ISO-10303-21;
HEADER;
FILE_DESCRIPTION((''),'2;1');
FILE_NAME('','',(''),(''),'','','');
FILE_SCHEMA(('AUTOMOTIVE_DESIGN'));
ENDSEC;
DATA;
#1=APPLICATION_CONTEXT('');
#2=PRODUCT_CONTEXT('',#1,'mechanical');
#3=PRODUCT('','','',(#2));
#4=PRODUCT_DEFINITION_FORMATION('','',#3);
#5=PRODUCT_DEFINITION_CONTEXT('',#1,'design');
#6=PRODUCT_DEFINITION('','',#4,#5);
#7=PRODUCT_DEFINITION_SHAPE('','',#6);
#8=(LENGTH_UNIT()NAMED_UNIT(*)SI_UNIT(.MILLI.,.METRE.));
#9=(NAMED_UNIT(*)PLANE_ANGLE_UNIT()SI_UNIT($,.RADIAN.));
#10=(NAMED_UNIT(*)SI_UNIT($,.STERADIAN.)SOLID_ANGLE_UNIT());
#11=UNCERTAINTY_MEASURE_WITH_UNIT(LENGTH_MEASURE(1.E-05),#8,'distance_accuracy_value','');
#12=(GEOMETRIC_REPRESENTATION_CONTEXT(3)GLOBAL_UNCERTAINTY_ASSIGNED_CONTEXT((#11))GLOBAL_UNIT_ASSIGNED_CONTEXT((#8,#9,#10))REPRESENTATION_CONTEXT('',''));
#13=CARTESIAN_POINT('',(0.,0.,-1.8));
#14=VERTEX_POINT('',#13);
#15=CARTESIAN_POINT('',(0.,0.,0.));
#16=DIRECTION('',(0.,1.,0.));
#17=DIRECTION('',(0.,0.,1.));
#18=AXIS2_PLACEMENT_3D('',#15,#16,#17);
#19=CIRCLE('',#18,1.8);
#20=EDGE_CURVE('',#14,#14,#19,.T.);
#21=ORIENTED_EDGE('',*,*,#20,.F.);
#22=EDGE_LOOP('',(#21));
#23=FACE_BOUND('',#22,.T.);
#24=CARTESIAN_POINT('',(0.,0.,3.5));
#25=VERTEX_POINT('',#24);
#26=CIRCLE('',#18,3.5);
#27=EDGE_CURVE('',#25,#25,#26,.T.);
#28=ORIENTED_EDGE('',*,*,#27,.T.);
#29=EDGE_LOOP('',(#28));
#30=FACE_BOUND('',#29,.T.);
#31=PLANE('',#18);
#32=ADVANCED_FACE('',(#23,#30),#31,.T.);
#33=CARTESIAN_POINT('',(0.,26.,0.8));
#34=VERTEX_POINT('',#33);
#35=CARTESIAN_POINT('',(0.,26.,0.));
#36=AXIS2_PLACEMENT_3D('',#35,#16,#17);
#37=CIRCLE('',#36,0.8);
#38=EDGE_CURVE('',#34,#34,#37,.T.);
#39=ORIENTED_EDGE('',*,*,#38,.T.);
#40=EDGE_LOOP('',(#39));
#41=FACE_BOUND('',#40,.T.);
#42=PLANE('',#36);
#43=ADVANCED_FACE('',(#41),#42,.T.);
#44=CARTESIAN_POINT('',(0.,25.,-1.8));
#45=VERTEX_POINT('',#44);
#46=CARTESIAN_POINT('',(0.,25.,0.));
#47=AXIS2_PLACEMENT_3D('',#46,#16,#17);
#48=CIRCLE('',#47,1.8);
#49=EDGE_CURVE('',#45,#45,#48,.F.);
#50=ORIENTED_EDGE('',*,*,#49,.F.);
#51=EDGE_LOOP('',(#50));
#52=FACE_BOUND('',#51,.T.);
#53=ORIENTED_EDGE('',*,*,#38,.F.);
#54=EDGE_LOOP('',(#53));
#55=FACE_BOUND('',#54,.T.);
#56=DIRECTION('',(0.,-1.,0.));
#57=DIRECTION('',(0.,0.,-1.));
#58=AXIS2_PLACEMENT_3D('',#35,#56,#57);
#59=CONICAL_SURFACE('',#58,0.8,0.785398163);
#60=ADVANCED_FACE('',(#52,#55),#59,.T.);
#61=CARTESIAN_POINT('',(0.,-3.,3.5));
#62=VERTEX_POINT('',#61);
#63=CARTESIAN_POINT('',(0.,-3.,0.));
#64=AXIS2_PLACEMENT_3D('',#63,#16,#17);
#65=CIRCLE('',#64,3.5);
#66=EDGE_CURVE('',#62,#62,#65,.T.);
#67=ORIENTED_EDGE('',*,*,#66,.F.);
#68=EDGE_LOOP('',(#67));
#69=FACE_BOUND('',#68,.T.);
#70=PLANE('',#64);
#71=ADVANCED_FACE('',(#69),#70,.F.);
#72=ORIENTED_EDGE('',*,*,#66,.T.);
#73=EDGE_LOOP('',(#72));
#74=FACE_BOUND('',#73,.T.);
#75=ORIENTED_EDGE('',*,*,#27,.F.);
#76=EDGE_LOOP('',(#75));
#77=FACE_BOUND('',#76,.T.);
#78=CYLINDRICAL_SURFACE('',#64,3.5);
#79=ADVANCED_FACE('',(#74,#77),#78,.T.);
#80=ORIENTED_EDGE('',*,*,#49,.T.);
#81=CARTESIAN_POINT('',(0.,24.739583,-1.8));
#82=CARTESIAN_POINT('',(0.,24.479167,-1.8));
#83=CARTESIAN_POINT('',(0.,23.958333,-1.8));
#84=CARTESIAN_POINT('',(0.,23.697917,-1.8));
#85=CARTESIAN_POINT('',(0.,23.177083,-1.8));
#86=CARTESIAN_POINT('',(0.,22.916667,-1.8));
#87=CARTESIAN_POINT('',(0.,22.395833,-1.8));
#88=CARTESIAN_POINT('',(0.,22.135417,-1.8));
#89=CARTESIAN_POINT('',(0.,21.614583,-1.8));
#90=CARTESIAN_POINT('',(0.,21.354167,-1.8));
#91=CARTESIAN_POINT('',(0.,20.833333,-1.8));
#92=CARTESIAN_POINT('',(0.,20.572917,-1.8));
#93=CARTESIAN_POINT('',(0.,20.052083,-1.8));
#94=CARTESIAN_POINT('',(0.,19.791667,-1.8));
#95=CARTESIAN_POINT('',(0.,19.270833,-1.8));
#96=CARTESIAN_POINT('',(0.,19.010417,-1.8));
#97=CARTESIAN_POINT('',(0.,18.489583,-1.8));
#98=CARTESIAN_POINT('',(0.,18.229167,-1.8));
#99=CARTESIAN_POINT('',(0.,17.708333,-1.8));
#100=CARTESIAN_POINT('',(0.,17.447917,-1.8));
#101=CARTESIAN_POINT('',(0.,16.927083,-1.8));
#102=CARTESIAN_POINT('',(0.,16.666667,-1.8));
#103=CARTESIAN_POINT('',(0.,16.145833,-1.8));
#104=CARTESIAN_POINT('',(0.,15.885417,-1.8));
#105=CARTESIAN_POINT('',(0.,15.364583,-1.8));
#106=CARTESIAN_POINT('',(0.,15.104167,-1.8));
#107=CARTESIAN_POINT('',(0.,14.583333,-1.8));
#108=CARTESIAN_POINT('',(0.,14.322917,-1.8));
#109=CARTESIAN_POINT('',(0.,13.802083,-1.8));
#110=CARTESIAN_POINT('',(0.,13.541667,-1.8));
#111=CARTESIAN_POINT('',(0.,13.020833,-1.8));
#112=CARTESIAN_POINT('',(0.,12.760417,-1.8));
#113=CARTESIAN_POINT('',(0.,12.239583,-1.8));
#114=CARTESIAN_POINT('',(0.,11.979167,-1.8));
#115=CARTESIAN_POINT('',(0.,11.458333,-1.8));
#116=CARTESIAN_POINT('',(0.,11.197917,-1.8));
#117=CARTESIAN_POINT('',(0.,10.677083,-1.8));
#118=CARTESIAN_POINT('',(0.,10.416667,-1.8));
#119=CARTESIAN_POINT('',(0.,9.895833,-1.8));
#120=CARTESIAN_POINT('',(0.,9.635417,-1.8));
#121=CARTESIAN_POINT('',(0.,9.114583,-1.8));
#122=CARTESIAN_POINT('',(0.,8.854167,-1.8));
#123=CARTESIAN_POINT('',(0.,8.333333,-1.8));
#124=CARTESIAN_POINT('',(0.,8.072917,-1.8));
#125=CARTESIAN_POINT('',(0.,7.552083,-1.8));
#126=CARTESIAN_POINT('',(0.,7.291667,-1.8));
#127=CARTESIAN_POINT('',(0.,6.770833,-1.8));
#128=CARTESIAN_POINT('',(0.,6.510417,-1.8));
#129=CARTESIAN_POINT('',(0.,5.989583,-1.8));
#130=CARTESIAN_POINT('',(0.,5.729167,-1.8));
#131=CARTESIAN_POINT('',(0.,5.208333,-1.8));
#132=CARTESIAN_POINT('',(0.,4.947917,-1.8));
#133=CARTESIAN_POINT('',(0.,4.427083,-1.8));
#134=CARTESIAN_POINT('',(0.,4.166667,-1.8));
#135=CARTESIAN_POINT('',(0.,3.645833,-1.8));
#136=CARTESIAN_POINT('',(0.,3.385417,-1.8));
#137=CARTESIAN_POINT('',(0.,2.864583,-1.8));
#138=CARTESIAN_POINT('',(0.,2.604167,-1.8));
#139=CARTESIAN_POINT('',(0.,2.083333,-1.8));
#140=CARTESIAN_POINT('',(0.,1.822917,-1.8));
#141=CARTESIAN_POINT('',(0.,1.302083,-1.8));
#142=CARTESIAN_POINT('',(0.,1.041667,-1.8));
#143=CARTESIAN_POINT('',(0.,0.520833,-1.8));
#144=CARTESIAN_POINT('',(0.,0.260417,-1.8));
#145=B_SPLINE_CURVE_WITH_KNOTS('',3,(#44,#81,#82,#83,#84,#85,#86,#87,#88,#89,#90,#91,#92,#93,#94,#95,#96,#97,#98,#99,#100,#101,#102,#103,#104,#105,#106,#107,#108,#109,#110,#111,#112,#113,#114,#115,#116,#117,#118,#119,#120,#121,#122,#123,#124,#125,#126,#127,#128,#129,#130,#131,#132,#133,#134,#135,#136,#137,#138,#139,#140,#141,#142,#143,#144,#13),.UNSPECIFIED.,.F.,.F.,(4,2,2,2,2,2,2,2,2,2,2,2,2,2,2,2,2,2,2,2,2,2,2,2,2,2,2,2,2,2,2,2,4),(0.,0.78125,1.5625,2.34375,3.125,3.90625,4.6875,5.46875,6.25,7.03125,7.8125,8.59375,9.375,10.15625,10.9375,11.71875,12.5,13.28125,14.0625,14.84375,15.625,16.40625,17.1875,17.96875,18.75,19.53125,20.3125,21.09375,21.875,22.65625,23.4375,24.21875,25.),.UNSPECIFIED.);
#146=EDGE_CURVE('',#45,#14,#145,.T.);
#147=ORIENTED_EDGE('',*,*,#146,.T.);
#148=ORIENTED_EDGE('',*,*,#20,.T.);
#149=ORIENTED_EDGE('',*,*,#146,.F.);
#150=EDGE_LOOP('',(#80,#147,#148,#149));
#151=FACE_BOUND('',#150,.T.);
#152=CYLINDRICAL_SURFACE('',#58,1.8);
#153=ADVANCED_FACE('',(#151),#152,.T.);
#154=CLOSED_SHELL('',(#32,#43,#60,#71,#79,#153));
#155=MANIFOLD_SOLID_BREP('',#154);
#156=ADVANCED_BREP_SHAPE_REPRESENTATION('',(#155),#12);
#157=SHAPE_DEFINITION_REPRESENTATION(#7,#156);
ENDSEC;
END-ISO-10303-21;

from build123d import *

# Parameters (mm, degrees)
SKETCH_1_R      = 3.5
EXTRUDE_1_DEPTH = 3
SKETCH_1_3_R    = 1.8
EXTRUDE_2_DEPTH = 26
CHAMFER_1_SIZE  = 1


with BuildPart() as part:
    # Эскиз1 → Бобышка-Вытянуть1 (new body)
    with BuildSketch(Plane(origin=(0, 0, 0), x_dir=(1, 0, 0), z_dir=(0, 1, 0))):
        Circle(SKETCH_1_R)
    extrude(amount=-EXTRUDE_1_DEPTH)

    # Эскиз1<3> → Бобышка-Вытянуть2 (add)
    with BuildSketch(Plane(origin=(0, 0, 0), x_dir=(1, 0, 0), z_dir=(0, 1, 0))):
        Circle(SKETCH_1_3_R)
    extrude(amount=EXTRUDE_2_DEPTH)

    # Фаска1
    chamfer_1_edges = [part.edges().sort_by_distance(p)[0] for p in [
        (-1.8, 26, 0),
    ]]
    chamfer(chamfer_1_edges, length=CHAMFER_1_SIZE)


solid = part.part
